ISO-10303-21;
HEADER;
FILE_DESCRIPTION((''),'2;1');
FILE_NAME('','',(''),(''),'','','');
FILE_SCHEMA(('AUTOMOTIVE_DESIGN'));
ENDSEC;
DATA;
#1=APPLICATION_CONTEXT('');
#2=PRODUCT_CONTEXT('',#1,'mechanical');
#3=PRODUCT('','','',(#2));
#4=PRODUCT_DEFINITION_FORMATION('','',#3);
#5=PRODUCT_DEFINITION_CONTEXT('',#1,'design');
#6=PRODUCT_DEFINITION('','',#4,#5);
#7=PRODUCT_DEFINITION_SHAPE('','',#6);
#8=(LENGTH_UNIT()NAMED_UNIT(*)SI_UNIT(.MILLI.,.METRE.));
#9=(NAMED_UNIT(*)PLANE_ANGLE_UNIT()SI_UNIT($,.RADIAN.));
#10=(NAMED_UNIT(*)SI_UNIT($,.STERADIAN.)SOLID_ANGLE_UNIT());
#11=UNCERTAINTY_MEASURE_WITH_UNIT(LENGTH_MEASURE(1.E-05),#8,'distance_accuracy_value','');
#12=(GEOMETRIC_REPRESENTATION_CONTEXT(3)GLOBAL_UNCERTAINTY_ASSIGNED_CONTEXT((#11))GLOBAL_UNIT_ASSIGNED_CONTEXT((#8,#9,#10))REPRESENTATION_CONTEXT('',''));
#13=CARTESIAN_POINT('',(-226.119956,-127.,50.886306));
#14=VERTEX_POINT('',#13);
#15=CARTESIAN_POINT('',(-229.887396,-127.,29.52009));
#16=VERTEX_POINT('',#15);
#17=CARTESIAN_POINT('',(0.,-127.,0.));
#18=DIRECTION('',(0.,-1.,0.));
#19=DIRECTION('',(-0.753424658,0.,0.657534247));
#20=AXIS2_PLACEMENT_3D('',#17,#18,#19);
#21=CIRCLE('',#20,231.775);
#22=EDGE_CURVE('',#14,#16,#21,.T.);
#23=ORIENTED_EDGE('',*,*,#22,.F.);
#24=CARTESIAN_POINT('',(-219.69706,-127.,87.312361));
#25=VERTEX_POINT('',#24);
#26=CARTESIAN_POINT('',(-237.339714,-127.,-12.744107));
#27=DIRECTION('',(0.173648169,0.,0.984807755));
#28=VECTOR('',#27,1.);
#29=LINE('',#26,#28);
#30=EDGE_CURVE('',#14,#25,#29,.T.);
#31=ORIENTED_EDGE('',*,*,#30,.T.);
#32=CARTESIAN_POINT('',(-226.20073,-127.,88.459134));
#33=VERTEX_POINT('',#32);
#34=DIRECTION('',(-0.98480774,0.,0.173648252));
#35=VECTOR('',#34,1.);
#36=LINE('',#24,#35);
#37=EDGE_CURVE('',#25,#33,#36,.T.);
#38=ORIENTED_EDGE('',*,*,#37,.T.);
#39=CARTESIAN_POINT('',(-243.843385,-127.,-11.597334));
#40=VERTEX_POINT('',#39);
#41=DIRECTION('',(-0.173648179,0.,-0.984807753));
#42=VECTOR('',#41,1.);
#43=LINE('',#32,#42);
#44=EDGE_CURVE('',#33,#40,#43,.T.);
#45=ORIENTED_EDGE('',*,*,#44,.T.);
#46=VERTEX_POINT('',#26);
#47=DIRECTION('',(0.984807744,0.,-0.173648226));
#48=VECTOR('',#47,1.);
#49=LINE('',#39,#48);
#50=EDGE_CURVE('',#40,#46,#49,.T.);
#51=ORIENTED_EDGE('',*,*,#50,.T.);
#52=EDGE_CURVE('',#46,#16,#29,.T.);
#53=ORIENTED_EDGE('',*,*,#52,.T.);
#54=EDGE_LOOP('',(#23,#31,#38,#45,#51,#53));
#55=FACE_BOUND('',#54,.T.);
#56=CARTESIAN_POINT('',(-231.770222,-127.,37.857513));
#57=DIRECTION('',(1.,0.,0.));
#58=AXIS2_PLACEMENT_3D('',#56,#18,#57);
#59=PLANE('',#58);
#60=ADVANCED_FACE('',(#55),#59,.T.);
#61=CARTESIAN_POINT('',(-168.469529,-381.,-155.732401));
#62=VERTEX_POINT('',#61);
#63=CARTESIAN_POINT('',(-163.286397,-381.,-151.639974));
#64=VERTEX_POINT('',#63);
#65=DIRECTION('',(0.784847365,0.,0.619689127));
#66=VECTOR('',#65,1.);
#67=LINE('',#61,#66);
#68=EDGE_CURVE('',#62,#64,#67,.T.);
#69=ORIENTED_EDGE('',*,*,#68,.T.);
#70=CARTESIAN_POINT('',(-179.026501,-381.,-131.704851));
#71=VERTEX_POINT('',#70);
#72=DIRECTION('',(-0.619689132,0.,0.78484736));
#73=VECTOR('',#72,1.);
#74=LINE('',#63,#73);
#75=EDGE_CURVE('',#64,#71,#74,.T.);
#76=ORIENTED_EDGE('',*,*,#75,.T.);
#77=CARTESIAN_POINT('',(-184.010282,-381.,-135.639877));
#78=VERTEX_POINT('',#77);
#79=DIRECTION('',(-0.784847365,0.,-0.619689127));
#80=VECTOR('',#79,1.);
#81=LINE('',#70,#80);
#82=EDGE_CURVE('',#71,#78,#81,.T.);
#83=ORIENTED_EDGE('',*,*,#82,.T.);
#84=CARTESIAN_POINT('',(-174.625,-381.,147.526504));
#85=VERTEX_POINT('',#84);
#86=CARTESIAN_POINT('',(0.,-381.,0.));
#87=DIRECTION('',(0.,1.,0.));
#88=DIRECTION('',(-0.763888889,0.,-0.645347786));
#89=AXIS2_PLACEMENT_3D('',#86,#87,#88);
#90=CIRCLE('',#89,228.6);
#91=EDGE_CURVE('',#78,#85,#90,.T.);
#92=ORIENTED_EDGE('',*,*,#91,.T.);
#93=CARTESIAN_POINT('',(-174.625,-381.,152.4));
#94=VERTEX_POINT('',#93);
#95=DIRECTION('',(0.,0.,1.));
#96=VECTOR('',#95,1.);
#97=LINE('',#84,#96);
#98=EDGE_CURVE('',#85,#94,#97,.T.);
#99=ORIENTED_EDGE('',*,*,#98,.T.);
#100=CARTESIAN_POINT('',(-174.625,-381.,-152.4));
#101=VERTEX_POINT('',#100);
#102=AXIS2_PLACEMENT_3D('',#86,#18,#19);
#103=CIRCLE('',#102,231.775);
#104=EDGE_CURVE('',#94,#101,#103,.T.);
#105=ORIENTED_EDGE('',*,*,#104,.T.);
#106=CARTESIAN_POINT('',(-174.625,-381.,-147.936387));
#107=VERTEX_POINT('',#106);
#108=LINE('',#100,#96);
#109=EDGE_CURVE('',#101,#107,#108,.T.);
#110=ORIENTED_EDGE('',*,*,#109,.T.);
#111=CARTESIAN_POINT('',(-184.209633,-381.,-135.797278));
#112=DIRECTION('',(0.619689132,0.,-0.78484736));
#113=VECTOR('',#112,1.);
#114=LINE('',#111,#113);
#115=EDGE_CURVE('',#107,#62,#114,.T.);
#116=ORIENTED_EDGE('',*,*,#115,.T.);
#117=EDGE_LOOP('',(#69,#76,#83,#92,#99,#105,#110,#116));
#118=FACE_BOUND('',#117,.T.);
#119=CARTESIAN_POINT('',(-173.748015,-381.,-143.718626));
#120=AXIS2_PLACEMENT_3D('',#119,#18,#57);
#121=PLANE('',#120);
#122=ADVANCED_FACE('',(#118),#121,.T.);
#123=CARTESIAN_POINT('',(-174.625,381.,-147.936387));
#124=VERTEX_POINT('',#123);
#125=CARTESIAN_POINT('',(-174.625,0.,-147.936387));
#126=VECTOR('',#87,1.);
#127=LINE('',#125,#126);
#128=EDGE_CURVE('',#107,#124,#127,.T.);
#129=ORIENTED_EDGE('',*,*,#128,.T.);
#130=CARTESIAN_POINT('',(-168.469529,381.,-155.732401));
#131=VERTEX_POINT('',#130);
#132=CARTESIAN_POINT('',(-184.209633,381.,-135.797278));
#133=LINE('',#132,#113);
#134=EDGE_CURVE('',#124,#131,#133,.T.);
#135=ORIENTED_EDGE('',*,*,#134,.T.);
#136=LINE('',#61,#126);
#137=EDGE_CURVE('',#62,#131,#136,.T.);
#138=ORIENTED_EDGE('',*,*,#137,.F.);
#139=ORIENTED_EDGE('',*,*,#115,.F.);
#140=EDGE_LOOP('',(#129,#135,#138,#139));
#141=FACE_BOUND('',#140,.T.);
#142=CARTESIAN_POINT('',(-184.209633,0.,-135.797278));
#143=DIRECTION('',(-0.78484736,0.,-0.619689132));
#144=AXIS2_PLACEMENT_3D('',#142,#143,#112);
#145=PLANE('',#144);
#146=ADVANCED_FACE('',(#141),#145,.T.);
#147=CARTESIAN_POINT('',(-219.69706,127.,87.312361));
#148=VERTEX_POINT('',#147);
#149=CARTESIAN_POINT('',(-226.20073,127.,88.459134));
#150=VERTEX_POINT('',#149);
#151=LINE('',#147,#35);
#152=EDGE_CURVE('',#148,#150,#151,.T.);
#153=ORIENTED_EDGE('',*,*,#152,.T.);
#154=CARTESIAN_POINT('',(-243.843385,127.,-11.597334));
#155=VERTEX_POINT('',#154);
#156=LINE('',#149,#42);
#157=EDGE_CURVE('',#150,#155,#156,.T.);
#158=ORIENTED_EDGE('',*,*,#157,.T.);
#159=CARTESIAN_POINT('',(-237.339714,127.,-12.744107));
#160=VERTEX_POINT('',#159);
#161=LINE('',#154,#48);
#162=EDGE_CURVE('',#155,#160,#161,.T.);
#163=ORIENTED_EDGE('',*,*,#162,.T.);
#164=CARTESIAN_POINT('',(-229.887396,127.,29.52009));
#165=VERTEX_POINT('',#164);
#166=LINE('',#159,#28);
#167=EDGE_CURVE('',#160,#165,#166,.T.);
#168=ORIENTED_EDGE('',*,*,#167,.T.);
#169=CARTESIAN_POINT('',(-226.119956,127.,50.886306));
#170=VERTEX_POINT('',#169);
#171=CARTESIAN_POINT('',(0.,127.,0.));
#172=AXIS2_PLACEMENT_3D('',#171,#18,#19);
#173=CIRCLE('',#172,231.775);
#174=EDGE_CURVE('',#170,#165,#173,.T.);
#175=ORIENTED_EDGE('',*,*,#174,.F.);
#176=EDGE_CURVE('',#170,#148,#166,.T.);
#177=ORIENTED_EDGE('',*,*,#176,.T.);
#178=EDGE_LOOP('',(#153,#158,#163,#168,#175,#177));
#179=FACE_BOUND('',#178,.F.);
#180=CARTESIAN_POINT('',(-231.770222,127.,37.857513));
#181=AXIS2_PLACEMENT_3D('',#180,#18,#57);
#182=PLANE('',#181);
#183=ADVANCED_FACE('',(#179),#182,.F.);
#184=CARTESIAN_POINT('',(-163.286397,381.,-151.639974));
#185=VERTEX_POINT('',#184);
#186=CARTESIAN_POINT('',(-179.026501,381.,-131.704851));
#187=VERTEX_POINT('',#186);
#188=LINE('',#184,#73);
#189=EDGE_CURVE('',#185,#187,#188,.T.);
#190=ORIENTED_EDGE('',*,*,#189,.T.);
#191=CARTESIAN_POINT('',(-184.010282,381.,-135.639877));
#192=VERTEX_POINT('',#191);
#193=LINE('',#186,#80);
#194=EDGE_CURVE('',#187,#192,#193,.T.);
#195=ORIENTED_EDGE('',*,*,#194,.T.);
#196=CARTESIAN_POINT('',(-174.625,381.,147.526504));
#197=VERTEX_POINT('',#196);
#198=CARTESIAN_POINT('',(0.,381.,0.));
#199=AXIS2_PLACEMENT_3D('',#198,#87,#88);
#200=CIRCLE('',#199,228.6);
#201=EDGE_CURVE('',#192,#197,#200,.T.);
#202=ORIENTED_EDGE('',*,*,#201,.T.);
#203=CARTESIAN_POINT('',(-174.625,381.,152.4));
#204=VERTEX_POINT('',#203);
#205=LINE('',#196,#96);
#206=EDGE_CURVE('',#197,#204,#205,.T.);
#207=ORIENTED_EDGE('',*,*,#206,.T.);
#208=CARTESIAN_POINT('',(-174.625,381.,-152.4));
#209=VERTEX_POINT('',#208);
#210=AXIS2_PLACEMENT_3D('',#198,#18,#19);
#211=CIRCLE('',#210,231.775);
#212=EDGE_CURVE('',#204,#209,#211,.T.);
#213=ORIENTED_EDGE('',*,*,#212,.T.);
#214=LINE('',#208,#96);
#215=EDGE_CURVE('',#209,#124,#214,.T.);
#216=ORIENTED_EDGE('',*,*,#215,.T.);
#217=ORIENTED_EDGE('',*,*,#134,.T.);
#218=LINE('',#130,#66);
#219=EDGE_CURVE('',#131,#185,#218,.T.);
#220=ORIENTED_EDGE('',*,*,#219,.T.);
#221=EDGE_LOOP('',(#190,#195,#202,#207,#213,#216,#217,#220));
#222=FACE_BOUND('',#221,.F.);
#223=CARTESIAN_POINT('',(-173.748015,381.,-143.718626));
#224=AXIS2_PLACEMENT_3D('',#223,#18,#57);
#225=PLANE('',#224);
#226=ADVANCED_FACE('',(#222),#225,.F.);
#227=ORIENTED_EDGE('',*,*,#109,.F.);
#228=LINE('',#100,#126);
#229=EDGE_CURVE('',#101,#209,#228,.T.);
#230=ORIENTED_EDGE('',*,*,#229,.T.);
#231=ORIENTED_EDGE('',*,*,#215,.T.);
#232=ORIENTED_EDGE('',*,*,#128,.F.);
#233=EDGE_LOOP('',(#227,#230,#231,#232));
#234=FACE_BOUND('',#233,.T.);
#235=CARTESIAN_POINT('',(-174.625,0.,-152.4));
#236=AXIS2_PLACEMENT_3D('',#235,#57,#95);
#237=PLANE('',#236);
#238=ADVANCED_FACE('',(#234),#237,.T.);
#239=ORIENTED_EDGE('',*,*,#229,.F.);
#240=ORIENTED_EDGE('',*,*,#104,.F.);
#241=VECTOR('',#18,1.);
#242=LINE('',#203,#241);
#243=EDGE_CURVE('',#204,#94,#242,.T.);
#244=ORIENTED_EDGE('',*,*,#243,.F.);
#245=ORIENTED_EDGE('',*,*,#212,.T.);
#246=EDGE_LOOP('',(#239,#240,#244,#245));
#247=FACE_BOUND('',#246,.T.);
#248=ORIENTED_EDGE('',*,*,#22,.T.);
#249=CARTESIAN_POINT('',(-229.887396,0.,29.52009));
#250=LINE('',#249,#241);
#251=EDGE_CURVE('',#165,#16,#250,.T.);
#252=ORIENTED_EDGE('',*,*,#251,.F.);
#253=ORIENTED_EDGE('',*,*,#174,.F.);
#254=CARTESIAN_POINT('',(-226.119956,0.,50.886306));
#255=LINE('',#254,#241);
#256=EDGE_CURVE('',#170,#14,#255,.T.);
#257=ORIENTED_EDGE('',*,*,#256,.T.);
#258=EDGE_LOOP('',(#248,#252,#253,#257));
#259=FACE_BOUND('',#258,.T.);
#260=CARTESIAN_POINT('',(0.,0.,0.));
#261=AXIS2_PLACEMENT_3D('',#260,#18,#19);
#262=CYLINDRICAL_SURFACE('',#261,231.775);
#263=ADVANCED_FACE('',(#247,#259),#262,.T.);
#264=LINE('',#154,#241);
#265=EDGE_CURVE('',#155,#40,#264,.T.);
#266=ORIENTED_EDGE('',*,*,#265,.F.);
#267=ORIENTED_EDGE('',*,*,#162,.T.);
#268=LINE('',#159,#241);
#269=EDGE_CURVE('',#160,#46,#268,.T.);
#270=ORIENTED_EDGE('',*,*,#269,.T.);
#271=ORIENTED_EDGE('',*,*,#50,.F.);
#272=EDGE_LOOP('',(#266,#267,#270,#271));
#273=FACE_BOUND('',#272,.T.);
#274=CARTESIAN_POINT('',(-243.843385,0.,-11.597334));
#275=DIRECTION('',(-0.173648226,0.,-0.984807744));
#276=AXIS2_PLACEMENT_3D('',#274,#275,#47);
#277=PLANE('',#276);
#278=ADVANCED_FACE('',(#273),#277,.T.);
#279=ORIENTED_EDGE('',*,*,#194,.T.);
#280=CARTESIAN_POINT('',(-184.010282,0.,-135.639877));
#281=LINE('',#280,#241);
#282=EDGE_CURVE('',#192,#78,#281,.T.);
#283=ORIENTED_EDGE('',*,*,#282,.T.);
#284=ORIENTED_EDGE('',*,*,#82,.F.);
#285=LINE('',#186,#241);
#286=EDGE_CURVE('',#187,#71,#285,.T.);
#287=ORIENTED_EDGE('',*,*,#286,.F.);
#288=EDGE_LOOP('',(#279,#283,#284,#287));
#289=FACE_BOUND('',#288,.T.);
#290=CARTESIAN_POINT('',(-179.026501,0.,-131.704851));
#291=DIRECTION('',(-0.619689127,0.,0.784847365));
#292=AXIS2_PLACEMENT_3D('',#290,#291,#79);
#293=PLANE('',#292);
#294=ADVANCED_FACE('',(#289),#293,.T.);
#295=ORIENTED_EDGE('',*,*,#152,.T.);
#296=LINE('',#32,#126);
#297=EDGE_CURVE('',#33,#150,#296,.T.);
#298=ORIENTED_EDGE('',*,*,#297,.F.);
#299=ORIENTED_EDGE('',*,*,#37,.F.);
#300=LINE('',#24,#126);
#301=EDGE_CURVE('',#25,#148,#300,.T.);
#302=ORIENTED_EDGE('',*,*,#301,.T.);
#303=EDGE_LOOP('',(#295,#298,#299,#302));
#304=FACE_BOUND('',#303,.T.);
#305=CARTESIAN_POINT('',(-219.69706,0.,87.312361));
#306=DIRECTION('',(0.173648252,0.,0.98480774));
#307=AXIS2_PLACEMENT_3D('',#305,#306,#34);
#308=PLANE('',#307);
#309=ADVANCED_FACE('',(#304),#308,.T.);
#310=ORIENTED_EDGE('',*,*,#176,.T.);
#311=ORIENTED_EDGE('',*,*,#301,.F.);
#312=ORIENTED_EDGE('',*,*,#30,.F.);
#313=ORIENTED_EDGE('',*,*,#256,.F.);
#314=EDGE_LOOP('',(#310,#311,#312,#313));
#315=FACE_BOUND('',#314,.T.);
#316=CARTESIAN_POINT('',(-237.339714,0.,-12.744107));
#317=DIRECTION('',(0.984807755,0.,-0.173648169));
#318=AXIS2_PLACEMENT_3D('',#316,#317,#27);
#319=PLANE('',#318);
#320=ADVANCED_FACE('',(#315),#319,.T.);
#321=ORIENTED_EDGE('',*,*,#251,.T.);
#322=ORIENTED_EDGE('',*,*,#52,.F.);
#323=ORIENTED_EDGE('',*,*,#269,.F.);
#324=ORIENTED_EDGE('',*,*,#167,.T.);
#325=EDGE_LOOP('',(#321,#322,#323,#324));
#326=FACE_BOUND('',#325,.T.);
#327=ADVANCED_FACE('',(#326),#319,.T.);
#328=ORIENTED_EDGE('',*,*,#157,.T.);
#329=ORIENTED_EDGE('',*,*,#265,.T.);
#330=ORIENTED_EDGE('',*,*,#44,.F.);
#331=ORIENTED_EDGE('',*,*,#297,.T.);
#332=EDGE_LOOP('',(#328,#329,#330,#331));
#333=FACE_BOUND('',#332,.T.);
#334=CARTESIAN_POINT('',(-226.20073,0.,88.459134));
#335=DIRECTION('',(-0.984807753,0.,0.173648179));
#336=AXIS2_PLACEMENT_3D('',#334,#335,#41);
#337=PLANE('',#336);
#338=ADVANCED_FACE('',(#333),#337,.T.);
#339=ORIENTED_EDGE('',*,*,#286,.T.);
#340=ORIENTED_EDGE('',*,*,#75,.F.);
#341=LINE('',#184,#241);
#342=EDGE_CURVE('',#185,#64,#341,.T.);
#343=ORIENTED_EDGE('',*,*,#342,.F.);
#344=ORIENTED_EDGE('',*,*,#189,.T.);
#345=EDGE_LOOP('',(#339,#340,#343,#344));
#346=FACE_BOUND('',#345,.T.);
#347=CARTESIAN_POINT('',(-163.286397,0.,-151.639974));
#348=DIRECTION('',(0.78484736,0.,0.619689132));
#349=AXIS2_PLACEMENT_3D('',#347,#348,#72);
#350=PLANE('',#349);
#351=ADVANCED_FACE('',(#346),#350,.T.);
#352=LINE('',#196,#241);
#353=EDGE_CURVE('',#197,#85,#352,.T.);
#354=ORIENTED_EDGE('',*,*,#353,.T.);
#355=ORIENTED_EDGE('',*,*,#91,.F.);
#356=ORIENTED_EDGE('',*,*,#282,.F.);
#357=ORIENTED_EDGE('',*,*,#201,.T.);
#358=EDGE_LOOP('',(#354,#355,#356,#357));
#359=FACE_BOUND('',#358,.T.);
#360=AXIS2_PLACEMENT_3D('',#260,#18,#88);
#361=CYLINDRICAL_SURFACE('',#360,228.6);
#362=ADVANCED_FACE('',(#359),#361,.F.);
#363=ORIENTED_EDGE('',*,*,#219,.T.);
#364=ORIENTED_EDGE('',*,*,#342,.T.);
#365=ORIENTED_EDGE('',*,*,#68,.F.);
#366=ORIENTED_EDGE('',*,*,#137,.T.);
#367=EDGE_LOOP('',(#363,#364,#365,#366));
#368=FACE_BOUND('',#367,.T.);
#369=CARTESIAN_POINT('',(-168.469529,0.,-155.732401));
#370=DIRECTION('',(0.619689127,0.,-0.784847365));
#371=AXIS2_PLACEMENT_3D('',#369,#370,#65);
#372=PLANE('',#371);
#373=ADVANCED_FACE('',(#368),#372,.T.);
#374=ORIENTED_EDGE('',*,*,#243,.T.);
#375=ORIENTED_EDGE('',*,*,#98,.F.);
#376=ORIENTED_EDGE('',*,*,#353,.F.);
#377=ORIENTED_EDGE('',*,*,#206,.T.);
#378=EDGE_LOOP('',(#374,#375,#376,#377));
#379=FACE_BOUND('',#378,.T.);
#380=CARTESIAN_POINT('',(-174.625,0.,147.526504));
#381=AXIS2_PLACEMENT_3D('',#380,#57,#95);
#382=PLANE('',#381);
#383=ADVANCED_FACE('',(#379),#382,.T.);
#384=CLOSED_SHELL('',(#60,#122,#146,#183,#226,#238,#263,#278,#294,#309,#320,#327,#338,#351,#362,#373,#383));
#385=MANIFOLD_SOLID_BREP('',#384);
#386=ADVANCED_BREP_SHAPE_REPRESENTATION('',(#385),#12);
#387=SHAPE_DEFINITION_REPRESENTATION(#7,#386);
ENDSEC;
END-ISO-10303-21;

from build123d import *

# Parameters (mm, degrees)
F1_DEPTH = 381
F3_DEPTH = 127
F5_DEPTH = 381


with BuildPart() as f1:
    # F0 (on Front) → F1 (new body, symmetric)
    with BuildSketch(Plane.XZ):
        with BuildLine():
            ThreePointArc((-174.625, -147.526504), (-228.6, 0), (-174.625, 147.526504))
            Line((-174.625, 147.526504), (-174.625, 152.4))
            ThreePointArc((-174.625, 152.4), (-231.775, 0), (-174.625, -152.4))
            Line((-174.625, -152.4), (-174.625, -147.526504))
        make_face()
    extrude(amount=F1_DEPTH, both=True)

    # F2 (on Front) → F3 (join, symmetric)
    with BuildSketch(Plane.XZ):
        Polygon((-226.20073, 88.459134), (-243.843385, -11.597334), (-237.339714, -12.744107), (-219.69706, 87.312361), align=None)
    extrude(amount=F3_DEPTH, both=True)

    # F4 (on Front) → F5 (join, symmetric)
    with BuildSketch(Plane.XZ):
        Polygon((-168.469529, -155.732401), (-163.286397, -151.639974), (-179.026501, -131.704851), (-184.209633, -135.797278), align=None)
    extrude(amount=F5_DEPTH, both=True)


solid = f1.part
